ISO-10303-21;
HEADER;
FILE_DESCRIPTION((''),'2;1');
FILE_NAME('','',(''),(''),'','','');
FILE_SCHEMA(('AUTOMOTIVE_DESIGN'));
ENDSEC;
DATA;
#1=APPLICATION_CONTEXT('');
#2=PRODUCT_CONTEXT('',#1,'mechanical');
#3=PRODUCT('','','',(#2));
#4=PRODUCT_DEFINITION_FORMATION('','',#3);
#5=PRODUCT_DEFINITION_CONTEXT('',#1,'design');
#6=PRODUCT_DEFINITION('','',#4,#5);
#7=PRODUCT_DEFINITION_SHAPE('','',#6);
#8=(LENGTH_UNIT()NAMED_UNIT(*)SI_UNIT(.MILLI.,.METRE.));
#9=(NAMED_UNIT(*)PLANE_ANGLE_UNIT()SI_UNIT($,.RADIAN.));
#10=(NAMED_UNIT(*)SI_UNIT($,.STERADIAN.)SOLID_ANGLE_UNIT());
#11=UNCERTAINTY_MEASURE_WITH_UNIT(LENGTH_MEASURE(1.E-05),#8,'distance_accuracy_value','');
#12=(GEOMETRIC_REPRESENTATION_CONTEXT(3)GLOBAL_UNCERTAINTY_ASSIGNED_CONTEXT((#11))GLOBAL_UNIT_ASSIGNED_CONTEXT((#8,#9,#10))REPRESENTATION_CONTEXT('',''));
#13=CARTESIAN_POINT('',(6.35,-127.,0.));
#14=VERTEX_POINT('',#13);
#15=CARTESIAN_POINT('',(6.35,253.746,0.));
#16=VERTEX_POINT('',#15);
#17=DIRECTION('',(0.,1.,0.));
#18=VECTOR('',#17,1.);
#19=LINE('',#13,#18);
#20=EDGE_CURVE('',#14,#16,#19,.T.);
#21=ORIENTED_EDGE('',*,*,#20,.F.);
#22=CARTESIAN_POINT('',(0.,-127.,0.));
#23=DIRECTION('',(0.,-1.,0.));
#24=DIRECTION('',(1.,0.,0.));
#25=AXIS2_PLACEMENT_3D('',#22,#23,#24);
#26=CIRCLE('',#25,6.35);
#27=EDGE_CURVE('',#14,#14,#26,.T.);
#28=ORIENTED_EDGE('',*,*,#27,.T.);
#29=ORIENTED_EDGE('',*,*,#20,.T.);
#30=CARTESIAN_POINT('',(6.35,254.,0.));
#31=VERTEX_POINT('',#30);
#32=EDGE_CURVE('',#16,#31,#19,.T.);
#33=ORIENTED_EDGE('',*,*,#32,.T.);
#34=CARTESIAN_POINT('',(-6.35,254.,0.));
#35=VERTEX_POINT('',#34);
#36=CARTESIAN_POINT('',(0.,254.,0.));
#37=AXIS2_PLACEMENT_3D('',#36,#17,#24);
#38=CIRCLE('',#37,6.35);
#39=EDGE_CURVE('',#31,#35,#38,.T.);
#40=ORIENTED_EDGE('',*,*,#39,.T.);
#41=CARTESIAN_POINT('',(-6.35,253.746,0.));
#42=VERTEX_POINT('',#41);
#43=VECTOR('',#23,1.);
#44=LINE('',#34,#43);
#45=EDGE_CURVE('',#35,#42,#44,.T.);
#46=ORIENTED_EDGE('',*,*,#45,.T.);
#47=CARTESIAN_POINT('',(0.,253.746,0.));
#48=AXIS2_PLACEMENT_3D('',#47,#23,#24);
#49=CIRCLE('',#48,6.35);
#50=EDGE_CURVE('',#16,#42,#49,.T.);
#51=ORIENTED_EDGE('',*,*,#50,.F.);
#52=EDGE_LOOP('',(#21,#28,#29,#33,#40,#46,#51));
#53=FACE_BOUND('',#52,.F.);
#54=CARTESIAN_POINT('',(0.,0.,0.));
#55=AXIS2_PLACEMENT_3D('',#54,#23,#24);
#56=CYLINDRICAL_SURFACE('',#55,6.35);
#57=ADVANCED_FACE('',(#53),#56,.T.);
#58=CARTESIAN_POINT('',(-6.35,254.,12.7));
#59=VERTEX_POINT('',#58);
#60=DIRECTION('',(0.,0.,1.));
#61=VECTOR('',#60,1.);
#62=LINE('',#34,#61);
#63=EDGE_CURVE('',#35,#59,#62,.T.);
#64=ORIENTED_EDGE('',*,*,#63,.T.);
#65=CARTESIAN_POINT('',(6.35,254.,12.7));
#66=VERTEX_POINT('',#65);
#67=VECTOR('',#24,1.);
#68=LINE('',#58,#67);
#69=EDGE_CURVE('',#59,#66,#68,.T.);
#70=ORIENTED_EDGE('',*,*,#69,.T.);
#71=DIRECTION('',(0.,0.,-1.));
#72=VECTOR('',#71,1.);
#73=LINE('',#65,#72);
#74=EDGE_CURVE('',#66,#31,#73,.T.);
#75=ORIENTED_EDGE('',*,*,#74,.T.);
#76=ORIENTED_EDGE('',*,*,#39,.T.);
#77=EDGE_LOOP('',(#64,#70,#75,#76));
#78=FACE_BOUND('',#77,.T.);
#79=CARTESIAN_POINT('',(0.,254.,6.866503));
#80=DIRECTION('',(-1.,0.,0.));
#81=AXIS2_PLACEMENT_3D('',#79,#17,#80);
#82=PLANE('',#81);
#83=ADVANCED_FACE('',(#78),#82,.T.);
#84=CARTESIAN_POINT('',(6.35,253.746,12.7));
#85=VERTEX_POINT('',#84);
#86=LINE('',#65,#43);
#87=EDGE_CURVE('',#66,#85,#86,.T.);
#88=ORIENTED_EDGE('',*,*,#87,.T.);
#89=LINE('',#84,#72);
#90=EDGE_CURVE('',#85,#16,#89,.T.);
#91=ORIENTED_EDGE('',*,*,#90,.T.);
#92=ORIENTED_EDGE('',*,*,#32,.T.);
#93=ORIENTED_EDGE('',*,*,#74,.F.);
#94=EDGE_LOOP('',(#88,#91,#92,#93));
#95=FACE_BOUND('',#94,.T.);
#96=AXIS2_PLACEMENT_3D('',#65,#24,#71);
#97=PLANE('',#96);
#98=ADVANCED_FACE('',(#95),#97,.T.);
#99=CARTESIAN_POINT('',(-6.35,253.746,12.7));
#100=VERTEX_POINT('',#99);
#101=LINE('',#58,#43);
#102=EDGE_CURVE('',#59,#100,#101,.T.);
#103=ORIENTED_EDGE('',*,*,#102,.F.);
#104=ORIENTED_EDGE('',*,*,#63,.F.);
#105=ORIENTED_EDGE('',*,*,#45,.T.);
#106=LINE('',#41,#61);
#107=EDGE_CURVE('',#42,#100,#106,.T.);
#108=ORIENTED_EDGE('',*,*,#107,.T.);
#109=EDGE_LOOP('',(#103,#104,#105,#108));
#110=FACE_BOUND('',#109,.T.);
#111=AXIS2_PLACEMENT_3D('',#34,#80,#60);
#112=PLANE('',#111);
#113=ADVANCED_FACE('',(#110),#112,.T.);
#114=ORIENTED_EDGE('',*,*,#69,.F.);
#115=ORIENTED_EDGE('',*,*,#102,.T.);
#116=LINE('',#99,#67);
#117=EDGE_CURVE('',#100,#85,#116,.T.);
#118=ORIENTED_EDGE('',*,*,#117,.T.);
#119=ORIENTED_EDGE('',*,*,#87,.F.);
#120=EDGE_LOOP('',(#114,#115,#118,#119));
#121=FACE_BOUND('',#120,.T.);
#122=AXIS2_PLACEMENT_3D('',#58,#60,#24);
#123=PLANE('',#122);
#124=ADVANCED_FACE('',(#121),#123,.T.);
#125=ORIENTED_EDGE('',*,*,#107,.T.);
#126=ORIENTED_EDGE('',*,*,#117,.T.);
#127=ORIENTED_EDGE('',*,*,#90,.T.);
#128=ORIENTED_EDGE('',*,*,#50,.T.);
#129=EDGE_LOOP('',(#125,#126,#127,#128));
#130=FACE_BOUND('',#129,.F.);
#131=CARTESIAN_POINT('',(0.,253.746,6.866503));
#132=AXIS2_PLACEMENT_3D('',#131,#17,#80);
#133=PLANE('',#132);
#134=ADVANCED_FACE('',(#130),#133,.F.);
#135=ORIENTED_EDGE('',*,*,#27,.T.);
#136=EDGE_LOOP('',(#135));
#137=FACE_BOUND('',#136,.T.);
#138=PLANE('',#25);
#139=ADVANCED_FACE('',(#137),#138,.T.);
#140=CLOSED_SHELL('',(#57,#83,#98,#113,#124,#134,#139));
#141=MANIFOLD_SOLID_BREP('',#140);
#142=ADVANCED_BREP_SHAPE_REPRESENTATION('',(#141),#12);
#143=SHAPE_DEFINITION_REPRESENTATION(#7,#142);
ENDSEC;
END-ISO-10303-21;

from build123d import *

# Parameters (mm, degrees)
F0_R      = 6.35
F1_DEPTH  = 127
F1_FACE_R = 6.35
F2_DEPTH  = 254
F4_DEPTH  = 0.254


with BuildPart() as f1:
    # F0 (on Front) → F1 (new body)
    with BuildSketch(Plane.XZ):
        Circle(F0_R)
    extrude(amount=F1_DEPTH)

    # F1_face (on face) → F2 (join)
    with BuildSketch(Plane(origin=(0, 0, 0), x_dir=(1, 0, 0), z_dir=(0, 1, 0))):
        Circle(F1_FACE_R)
    extrude(amount=F2_DEPTH)

    # F3 (on face) → F4 (join)
    with BuildSketch(Plane(origin=(0, 254, 0), x_dir=(-1, 0, 0), z_dir=(0, 1, 0))):
        with BuildLine():
            Line((6.35, 12.7), (-6.35, 12.7))
            Line((-6.35, 12.7), (-6.35, 0))
            ThreePointArc((-6.35, 0), (0, 6.35), (6.35, 0))
            Line((6.35, 0), (6.35, 12.7))
        make_face()
    extrude(amount=-F4_DEPTH)


solid = f1.part
